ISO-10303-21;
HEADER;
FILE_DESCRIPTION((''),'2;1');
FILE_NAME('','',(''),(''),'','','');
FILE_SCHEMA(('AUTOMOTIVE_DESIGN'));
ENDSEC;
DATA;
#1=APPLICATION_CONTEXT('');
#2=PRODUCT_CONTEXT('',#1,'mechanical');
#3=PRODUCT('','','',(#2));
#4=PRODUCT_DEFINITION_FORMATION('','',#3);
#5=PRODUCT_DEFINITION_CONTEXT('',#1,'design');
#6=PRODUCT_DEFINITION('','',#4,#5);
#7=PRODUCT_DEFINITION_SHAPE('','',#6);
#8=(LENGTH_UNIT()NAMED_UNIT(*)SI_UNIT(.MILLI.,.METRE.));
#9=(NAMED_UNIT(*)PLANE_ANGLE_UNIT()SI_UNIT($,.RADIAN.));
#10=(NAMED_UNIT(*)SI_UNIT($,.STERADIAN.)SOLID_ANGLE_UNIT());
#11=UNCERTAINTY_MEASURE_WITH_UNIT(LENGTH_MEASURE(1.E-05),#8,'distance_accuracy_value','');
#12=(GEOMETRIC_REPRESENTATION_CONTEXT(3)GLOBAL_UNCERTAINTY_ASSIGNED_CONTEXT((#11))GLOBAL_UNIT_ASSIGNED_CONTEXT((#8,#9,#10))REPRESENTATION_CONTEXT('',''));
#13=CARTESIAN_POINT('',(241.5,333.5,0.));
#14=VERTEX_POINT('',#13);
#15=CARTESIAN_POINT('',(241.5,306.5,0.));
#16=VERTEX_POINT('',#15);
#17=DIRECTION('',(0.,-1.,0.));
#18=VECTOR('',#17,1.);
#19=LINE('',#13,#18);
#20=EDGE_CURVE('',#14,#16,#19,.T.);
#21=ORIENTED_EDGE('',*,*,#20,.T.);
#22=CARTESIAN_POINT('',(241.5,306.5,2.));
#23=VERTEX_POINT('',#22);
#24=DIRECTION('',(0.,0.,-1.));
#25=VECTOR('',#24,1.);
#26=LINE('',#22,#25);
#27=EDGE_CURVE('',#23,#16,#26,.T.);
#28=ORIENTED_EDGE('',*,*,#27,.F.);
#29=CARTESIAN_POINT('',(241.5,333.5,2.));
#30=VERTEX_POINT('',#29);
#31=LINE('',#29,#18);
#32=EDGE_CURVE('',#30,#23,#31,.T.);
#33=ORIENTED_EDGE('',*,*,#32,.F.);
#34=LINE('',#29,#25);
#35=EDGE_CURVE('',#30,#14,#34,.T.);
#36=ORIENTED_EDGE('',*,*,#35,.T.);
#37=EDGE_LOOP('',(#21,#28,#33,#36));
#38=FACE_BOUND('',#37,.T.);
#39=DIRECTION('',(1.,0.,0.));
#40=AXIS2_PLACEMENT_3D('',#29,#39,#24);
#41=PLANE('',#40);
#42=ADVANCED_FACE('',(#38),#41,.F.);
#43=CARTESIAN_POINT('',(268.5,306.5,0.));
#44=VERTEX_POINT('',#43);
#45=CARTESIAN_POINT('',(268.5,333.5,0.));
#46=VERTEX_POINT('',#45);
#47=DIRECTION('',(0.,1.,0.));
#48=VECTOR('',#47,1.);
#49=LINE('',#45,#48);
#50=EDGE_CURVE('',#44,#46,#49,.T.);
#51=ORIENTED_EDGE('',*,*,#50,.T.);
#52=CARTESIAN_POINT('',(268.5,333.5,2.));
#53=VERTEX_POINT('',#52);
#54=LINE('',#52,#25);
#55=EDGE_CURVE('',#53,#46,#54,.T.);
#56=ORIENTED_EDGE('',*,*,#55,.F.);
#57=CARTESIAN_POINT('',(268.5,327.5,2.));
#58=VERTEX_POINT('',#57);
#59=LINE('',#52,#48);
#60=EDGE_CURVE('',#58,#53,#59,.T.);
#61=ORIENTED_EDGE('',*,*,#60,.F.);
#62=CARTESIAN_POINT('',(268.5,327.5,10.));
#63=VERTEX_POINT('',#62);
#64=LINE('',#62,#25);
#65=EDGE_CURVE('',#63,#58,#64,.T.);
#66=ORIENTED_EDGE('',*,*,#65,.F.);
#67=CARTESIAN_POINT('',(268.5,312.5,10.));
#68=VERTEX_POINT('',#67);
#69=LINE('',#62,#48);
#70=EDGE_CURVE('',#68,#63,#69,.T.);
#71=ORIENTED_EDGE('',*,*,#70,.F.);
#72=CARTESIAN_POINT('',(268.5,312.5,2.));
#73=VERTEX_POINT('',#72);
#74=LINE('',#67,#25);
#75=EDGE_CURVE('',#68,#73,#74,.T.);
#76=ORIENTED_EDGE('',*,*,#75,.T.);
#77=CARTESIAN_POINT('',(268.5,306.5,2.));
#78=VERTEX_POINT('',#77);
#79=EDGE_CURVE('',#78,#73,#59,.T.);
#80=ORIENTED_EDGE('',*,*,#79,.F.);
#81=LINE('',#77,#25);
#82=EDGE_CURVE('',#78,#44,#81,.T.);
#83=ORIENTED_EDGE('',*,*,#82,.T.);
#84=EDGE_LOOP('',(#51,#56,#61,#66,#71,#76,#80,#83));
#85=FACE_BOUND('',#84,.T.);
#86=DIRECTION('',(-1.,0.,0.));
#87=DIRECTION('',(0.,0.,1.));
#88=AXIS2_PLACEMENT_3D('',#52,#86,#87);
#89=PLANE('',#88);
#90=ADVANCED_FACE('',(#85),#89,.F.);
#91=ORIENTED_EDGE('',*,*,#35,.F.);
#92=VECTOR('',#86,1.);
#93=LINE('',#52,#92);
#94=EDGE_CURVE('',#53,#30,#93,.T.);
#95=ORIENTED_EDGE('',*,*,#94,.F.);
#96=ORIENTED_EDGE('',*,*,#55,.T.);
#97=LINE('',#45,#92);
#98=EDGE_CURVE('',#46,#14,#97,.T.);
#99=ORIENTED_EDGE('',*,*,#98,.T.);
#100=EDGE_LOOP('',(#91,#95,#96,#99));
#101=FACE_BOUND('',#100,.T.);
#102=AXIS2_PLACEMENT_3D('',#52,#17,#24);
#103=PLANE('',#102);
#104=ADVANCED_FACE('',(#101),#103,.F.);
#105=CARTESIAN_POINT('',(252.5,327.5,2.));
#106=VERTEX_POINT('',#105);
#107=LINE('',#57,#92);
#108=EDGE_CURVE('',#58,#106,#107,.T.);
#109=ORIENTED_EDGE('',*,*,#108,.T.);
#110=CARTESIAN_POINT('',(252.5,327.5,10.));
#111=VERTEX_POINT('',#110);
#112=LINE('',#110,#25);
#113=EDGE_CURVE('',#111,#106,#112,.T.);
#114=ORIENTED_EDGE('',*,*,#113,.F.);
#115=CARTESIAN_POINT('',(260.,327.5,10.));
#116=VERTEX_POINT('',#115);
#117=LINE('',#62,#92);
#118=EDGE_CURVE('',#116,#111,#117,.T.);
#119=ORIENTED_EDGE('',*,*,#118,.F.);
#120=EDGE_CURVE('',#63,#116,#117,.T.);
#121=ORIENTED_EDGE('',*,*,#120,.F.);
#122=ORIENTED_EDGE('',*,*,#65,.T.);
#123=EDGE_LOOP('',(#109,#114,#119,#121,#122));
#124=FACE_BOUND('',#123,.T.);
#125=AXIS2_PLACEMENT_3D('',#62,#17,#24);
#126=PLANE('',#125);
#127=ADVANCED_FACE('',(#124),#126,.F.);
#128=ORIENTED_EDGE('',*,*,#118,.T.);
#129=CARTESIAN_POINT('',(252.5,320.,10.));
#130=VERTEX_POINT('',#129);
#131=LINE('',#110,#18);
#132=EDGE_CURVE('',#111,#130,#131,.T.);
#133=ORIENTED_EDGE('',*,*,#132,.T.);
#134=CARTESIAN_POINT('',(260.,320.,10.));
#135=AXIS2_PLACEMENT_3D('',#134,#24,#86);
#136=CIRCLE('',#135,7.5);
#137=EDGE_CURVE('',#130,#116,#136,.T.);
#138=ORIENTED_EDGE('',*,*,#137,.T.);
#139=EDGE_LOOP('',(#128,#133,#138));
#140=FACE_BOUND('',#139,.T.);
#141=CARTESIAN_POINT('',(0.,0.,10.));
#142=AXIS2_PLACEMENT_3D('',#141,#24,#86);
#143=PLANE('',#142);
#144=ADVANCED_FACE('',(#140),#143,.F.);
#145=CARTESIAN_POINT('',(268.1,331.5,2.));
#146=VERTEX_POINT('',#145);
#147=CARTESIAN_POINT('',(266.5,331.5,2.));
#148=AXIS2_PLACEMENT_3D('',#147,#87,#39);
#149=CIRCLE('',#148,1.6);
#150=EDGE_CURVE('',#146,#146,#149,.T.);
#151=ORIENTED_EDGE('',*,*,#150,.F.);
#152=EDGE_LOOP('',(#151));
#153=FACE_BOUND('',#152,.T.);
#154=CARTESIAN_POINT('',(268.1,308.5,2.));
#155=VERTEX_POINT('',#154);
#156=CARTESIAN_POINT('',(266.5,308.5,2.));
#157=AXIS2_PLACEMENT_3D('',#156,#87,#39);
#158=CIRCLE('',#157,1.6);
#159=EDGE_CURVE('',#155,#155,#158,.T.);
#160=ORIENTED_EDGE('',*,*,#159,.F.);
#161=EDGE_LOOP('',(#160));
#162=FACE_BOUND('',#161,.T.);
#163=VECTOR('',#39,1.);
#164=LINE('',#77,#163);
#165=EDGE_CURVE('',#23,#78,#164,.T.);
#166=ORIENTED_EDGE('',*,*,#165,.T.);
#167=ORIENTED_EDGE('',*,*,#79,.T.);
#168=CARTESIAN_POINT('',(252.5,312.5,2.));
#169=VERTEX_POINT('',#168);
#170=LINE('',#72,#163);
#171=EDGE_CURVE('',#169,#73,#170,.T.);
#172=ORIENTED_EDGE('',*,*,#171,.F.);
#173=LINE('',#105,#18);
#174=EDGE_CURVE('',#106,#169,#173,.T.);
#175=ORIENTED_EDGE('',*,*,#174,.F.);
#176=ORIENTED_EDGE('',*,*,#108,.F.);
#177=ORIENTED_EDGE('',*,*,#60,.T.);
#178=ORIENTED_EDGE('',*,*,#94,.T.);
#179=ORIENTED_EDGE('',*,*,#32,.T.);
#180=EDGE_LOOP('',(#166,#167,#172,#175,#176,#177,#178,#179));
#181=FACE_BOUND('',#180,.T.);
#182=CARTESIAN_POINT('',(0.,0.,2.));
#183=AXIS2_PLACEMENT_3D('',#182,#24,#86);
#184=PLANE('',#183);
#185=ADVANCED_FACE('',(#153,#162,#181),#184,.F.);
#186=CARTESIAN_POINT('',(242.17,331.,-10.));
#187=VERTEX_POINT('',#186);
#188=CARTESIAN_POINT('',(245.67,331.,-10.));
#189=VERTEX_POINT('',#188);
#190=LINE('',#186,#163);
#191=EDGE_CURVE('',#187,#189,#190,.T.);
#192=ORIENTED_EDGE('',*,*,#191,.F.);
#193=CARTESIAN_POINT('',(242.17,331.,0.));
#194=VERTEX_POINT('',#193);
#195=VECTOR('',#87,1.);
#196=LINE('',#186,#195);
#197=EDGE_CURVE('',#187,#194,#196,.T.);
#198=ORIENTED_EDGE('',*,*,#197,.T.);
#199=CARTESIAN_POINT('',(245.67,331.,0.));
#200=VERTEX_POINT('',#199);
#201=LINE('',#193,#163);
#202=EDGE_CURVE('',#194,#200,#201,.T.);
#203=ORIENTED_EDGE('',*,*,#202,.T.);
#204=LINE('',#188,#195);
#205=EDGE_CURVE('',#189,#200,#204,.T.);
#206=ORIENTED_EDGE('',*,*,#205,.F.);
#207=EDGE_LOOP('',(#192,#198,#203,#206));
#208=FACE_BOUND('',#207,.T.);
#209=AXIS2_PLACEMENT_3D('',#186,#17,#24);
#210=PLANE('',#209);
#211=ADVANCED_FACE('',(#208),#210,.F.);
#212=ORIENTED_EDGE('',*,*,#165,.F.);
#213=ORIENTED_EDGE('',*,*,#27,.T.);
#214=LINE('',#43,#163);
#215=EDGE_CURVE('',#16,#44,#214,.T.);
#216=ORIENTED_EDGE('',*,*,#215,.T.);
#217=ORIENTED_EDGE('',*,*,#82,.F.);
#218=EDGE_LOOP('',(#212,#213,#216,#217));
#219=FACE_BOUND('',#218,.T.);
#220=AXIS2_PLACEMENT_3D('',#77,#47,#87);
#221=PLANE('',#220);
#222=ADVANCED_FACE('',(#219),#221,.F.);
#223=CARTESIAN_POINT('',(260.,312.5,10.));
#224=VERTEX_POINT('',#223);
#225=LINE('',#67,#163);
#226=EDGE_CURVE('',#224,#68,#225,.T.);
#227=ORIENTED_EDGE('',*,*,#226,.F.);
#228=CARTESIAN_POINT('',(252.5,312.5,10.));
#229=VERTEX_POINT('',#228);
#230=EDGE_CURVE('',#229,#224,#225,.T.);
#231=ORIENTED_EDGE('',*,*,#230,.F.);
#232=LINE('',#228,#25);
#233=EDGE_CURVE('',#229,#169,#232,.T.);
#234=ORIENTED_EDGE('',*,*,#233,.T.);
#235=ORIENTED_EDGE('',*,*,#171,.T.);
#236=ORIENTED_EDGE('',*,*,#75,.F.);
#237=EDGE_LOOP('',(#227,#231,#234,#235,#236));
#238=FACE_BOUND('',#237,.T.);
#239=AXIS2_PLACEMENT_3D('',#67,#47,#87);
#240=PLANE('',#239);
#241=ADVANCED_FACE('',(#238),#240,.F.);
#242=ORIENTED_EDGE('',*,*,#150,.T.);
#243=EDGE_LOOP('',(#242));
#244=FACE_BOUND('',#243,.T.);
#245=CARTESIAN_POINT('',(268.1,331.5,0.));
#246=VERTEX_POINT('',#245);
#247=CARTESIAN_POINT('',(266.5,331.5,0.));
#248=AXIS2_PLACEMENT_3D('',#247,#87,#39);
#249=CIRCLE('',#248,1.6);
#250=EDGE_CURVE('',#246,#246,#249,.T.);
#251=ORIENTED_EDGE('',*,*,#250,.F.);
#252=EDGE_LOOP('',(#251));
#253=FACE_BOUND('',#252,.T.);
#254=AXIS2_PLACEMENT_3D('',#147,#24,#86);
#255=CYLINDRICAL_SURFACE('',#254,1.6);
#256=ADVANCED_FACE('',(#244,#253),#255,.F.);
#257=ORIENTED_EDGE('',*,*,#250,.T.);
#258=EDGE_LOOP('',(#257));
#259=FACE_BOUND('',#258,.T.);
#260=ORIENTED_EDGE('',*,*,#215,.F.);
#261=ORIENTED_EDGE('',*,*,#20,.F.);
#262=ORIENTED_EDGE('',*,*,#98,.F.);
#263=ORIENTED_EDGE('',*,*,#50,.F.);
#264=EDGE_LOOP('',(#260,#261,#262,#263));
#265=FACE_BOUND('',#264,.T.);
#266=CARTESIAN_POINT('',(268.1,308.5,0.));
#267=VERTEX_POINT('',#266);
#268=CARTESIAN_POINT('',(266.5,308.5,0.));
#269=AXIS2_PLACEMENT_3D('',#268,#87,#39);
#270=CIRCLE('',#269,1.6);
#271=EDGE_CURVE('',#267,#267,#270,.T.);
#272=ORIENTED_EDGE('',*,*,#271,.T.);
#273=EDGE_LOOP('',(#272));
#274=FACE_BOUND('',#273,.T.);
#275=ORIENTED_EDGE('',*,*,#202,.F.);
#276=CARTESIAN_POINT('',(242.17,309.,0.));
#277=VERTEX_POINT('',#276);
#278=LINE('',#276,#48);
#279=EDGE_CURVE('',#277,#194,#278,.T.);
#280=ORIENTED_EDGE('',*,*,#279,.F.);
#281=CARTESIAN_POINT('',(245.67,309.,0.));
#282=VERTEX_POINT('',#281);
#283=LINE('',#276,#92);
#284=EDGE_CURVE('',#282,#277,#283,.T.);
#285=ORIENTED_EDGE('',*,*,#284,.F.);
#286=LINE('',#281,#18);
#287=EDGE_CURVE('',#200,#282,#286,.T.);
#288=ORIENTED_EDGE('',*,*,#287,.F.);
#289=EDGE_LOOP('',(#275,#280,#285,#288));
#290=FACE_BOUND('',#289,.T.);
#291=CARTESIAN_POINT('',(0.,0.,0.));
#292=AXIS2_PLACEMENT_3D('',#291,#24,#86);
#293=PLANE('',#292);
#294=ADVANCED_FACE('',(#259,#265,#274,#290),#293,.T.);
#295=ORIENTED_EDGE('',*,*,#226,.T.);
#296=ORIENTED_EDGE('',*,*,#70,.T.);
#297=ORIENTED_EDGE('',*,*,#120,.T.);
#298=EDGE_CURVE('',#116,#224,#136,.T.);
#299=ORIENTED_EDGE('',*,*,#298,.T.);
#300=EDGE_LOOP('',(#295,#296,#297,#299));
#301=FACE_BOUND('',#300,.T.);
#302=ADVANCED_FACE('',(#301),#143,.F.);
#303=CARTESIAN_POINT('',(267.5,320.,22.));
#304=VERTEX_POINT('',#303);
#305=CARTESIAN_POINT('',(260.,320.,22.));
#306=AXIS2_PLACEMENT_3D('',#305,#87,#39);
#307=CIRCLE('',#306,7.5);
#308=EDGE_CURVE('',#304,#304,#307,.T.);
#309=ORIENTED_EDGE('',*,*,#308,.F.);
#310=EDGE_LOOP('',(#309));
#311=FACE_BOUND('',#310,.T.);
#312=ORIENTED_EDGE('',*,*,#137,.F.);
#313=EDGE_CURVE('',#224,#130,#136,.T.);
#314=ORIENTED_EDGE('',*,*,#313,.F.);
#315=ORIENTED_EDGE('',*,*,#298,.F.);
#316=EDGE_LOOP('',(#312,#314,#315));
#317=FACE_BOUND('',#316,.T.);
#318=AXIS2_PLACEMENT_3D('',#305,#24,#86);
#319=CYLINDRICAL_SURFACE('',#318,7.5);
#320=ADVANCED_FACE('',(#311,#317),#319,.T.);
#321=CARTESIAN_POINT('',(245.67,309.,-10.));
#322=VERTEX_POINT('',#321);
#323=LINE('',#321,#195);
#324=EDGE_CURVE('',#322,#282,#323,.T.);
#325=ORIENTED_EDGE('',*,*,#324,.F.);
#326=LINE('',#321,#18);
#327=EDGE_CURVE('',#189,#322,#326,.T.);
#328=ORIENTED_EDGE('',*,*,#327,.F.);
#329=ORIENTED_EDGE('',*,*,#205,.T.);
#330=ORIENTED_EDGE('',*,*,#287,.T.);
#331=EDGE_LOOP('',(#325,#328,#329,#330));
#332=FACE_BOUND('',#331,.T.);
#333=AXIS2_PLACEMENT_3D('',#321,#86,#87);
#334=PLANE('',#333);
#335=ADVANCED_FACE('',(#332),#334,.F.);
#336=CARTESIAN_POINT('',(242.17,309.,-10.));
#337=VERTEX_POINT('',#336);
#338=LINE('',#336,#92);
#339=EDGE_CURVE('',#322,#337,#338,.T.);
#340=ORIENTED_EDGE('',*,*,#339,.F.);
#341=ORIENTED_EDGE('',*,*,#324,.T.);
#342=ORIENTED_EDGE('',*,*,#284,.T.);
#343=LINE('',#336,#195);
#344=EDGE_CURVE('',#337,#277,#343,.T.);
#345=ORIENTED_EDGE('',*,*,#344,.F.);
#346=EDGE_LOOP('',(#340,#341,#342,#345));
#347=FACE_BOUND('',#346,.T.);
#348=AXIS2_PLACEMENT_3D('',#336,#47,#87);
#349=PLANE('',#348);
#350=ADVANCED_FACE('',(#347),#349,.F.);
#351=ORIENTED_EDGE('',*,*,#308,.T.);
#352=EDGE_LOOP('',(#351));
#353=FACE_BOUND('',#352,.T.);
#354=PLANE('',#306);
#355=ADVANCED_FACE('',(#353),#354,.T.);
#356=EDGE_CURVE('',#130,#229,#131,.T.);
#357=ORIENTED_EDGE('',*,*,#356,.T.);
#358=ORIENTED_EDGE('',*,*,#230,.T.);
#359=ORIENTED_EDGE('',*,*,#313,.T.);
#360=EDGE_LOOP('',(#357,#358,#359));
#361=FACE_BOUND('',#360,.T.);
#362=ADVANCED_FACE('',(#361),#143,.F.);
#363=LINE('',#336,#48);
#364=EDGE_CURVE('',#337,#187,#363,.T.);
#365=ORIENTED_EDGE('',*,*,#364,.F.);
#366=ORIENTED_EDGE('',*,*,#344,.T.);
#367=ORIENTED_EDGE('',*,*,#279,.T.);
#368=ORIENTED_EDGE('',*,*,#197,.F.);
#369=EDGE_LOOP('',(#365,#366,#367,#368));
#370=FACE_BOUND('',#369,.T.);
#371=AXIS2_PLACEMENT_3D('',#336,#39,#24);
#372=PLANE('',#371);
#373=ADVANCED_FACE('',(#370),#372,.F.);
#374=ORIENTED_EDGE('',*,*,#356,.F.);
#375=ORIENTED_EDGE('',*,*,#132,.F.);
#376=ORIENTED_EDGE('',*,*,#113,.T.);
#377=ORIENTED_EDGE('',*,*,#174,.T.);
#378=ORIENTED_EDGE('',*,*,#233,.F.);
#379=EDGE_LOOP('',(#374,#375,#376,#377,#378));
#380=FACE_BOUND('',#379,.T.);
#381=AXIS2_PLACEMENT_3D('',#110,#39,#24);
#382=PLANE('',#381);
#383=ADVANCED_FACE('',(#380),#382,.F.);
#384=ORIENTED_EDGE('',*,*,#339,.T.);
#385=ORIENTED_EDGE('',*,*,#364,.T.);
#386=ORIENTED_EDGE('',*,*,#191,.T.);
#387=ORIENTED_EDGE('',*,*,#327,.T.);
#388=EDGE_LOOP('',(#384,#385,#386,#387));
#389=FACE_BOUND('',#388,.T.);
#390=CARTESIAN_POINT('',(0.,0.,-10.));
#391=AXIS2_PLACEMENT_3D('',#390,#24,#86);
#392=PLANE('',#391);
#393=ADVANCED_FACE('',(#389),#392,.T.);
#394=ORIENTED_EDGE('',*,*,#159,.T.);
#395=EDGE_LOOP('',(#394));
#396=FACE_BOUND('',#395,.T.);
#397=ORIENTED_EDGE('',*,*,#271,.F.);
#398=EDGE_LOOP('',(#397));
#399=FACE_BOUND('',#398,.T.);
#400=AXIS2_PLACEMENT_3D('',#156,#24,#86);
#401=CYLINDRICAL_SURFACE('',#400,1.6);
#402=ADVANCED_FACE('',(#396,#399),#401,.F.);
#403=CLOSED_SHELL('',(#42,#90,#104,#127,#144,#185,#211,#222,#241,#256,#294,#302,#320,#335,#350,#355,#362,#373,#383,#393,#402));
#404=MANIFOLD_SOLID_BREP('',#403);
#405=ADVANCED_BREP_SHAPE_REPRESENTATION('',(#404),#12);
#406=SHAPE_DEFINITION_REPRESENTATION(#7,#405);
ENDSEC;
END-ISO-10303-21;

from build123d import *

# Parameters (mm, degrees)
SKETCH_1_W      = 27
SKETCH_1_H      = 27
SKETCH_1_R      = 1.6
EXTRUDE_1_DEPTH = 2
SKETCH_2_R      = 7.5
EXTRUDE_2_DEPTH = 20
SKETCH_3_W      = 16
SKETCH_3_H      = 15
EXTRUDE_3_DEPTH = 8
SKETCH_4_W      = 3.5
SKETCH_4_H      = 22
EXTRUDE_4_DEPTH = 10


with BuildPart() as part:
    # 草图1 → 凸台-拉伸1 (new body)
    with BuildSketch(Plane.XY):
        with Locations((255, 320)):
            Rectangle(SKETCH_1_W, SKETCH_1_H)
        with Locations((266.5, 331.5)):
            Circle(SKETCH_1_R, mode=Mode.SUBTRACT)
        with Locations((266.5, 308.5)):
            Circle(SKETCH_1_R, mode=Mode.SUBTRACT)
    extrude(amount=EXTRUDE_1_DEPTH)

    # 草图2 → 凸台-拉伸2 (add)
    with BuildSketch(Plane.XY.offset(2)):
        with Locations((260, 320)):
            Circle(SKETCH_2_R)
    extrude(amount=EXTRUDE_2_DEPTH)

    # 草图3 → 凸台-拉伸3 (add)
    with BuildSketch(Plane.XY.offset(2)):
        with Locations((260.5, 320)):
            Rectangle(SKETCH_3_W, SKETCH_3_H)
    extrude(amount=EXTRUDE_3_DEPTH)

    # 草图4 → 凸台-拉伸4 (add)
    with BuildSketch(Plane(origin=(0, 0, 0), x_dir=(-1, 0, 0), z_dir=(0, 0, -1))):
        with Locations((-243.92, 320)):
            Rectangle(SKETCH_4_W, SKETCH_4_H)
    extrude(amount=EXTRUDE_4_DEPTH)


solid = part.part
